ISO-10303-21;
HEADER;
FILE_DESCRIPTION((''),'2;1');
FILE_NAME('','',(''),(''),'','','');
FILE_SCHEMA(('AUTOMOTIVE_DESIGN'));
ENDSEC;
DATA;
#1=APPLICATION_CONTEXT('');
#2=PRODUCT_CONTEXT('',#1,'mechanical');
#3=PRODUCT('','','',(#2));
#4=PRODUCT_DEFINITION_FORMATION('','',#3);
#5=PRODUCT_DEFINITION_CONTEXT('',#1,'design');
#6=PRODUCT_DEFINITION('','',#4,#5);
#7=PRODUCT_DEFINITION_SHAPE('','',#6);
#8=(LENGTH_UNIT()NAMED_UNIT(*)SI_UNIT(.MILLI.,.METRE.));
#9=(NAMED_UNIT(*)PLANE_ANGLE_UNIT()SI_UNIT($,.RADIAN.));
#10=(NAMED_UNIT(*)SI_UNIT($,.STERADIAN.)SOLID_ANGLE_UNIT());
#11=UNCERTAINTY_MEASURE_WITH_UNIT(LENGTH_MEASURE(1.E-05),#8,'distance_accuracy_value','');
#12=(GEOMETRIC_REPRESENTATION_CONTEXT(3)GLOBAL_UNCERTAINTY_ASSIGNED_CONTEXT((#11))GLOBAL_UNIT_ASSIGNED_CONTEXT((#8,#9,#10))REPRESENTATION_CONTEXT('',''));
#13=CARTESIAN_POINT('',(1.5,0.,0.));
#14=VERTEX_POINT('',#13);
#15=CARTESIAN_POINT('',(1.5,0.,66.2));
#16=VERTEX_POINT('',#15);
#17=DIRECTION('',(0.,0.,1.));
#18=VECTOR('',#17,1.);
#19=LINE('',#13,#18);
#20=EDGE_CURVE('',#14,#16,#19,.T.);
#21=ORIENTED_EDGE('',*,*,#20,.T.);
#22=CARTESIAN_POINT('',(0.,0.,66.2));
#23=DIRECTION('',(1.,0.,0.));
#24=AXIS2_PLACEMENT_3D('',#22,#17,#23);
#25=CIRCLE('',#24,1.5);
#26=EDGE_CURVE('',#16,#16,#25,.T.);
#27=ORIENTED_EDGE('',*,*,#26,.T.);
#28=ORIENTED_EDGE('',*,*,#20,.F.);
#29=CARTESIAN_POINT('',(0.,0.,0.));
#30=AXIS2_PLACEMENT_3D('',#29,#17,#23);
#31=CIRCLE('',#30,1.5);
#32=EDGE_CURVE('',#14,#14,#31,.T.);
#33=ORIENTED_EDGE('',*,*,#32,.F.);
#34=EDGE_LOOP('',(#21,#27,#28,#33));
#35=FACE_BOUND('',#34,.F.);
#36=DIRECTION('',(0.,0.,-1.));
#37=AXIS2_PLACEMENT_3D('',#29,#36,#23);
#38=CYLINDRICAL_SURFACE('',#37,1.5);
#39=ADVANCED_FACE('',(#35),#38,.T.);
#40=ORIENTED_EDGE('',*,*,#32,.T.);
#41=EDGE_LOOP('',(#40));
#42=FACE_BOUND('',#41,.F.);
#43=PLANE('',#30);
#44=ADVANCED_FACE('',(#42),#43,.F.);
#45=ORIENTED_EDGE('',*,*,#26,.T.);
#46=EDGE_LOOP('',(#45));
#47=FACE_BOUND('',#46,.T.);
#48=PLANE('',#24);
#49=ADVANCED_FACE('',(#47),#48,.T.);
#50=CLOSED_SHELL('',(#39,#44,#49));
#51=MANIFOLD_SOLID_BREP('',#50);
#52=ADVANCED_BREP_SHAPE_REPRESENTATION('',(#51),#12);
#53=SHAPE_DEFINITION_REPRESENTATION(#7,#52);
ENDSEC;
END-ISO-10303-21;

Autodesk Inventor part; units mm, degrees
ref_plane "YZ Plane" through (0, 0, 0) normal (1, 0, 0) x (0, 1, 0)
ref_plane "XZ Plane" through (0, 0, 0) normal (0, 1, 0) x (-1, 0, 0)
ref_plane "XY Plane" through (0, 0, 0) normal (0, 0, 1) x (1, 0, 0)
sketch "スケッチ1" plane through (0, 0, 0) normal (0, 0, 1) x (1, 0, 0)
  circle A0 centre (0, 0) radius 1.5
  dimension "d0" = 3
extrude "押し出し1" add sketch "スケッチ1" along normal blind 66.2
properties part number "RD015_シャフト" material "アルミニウム 6061"
